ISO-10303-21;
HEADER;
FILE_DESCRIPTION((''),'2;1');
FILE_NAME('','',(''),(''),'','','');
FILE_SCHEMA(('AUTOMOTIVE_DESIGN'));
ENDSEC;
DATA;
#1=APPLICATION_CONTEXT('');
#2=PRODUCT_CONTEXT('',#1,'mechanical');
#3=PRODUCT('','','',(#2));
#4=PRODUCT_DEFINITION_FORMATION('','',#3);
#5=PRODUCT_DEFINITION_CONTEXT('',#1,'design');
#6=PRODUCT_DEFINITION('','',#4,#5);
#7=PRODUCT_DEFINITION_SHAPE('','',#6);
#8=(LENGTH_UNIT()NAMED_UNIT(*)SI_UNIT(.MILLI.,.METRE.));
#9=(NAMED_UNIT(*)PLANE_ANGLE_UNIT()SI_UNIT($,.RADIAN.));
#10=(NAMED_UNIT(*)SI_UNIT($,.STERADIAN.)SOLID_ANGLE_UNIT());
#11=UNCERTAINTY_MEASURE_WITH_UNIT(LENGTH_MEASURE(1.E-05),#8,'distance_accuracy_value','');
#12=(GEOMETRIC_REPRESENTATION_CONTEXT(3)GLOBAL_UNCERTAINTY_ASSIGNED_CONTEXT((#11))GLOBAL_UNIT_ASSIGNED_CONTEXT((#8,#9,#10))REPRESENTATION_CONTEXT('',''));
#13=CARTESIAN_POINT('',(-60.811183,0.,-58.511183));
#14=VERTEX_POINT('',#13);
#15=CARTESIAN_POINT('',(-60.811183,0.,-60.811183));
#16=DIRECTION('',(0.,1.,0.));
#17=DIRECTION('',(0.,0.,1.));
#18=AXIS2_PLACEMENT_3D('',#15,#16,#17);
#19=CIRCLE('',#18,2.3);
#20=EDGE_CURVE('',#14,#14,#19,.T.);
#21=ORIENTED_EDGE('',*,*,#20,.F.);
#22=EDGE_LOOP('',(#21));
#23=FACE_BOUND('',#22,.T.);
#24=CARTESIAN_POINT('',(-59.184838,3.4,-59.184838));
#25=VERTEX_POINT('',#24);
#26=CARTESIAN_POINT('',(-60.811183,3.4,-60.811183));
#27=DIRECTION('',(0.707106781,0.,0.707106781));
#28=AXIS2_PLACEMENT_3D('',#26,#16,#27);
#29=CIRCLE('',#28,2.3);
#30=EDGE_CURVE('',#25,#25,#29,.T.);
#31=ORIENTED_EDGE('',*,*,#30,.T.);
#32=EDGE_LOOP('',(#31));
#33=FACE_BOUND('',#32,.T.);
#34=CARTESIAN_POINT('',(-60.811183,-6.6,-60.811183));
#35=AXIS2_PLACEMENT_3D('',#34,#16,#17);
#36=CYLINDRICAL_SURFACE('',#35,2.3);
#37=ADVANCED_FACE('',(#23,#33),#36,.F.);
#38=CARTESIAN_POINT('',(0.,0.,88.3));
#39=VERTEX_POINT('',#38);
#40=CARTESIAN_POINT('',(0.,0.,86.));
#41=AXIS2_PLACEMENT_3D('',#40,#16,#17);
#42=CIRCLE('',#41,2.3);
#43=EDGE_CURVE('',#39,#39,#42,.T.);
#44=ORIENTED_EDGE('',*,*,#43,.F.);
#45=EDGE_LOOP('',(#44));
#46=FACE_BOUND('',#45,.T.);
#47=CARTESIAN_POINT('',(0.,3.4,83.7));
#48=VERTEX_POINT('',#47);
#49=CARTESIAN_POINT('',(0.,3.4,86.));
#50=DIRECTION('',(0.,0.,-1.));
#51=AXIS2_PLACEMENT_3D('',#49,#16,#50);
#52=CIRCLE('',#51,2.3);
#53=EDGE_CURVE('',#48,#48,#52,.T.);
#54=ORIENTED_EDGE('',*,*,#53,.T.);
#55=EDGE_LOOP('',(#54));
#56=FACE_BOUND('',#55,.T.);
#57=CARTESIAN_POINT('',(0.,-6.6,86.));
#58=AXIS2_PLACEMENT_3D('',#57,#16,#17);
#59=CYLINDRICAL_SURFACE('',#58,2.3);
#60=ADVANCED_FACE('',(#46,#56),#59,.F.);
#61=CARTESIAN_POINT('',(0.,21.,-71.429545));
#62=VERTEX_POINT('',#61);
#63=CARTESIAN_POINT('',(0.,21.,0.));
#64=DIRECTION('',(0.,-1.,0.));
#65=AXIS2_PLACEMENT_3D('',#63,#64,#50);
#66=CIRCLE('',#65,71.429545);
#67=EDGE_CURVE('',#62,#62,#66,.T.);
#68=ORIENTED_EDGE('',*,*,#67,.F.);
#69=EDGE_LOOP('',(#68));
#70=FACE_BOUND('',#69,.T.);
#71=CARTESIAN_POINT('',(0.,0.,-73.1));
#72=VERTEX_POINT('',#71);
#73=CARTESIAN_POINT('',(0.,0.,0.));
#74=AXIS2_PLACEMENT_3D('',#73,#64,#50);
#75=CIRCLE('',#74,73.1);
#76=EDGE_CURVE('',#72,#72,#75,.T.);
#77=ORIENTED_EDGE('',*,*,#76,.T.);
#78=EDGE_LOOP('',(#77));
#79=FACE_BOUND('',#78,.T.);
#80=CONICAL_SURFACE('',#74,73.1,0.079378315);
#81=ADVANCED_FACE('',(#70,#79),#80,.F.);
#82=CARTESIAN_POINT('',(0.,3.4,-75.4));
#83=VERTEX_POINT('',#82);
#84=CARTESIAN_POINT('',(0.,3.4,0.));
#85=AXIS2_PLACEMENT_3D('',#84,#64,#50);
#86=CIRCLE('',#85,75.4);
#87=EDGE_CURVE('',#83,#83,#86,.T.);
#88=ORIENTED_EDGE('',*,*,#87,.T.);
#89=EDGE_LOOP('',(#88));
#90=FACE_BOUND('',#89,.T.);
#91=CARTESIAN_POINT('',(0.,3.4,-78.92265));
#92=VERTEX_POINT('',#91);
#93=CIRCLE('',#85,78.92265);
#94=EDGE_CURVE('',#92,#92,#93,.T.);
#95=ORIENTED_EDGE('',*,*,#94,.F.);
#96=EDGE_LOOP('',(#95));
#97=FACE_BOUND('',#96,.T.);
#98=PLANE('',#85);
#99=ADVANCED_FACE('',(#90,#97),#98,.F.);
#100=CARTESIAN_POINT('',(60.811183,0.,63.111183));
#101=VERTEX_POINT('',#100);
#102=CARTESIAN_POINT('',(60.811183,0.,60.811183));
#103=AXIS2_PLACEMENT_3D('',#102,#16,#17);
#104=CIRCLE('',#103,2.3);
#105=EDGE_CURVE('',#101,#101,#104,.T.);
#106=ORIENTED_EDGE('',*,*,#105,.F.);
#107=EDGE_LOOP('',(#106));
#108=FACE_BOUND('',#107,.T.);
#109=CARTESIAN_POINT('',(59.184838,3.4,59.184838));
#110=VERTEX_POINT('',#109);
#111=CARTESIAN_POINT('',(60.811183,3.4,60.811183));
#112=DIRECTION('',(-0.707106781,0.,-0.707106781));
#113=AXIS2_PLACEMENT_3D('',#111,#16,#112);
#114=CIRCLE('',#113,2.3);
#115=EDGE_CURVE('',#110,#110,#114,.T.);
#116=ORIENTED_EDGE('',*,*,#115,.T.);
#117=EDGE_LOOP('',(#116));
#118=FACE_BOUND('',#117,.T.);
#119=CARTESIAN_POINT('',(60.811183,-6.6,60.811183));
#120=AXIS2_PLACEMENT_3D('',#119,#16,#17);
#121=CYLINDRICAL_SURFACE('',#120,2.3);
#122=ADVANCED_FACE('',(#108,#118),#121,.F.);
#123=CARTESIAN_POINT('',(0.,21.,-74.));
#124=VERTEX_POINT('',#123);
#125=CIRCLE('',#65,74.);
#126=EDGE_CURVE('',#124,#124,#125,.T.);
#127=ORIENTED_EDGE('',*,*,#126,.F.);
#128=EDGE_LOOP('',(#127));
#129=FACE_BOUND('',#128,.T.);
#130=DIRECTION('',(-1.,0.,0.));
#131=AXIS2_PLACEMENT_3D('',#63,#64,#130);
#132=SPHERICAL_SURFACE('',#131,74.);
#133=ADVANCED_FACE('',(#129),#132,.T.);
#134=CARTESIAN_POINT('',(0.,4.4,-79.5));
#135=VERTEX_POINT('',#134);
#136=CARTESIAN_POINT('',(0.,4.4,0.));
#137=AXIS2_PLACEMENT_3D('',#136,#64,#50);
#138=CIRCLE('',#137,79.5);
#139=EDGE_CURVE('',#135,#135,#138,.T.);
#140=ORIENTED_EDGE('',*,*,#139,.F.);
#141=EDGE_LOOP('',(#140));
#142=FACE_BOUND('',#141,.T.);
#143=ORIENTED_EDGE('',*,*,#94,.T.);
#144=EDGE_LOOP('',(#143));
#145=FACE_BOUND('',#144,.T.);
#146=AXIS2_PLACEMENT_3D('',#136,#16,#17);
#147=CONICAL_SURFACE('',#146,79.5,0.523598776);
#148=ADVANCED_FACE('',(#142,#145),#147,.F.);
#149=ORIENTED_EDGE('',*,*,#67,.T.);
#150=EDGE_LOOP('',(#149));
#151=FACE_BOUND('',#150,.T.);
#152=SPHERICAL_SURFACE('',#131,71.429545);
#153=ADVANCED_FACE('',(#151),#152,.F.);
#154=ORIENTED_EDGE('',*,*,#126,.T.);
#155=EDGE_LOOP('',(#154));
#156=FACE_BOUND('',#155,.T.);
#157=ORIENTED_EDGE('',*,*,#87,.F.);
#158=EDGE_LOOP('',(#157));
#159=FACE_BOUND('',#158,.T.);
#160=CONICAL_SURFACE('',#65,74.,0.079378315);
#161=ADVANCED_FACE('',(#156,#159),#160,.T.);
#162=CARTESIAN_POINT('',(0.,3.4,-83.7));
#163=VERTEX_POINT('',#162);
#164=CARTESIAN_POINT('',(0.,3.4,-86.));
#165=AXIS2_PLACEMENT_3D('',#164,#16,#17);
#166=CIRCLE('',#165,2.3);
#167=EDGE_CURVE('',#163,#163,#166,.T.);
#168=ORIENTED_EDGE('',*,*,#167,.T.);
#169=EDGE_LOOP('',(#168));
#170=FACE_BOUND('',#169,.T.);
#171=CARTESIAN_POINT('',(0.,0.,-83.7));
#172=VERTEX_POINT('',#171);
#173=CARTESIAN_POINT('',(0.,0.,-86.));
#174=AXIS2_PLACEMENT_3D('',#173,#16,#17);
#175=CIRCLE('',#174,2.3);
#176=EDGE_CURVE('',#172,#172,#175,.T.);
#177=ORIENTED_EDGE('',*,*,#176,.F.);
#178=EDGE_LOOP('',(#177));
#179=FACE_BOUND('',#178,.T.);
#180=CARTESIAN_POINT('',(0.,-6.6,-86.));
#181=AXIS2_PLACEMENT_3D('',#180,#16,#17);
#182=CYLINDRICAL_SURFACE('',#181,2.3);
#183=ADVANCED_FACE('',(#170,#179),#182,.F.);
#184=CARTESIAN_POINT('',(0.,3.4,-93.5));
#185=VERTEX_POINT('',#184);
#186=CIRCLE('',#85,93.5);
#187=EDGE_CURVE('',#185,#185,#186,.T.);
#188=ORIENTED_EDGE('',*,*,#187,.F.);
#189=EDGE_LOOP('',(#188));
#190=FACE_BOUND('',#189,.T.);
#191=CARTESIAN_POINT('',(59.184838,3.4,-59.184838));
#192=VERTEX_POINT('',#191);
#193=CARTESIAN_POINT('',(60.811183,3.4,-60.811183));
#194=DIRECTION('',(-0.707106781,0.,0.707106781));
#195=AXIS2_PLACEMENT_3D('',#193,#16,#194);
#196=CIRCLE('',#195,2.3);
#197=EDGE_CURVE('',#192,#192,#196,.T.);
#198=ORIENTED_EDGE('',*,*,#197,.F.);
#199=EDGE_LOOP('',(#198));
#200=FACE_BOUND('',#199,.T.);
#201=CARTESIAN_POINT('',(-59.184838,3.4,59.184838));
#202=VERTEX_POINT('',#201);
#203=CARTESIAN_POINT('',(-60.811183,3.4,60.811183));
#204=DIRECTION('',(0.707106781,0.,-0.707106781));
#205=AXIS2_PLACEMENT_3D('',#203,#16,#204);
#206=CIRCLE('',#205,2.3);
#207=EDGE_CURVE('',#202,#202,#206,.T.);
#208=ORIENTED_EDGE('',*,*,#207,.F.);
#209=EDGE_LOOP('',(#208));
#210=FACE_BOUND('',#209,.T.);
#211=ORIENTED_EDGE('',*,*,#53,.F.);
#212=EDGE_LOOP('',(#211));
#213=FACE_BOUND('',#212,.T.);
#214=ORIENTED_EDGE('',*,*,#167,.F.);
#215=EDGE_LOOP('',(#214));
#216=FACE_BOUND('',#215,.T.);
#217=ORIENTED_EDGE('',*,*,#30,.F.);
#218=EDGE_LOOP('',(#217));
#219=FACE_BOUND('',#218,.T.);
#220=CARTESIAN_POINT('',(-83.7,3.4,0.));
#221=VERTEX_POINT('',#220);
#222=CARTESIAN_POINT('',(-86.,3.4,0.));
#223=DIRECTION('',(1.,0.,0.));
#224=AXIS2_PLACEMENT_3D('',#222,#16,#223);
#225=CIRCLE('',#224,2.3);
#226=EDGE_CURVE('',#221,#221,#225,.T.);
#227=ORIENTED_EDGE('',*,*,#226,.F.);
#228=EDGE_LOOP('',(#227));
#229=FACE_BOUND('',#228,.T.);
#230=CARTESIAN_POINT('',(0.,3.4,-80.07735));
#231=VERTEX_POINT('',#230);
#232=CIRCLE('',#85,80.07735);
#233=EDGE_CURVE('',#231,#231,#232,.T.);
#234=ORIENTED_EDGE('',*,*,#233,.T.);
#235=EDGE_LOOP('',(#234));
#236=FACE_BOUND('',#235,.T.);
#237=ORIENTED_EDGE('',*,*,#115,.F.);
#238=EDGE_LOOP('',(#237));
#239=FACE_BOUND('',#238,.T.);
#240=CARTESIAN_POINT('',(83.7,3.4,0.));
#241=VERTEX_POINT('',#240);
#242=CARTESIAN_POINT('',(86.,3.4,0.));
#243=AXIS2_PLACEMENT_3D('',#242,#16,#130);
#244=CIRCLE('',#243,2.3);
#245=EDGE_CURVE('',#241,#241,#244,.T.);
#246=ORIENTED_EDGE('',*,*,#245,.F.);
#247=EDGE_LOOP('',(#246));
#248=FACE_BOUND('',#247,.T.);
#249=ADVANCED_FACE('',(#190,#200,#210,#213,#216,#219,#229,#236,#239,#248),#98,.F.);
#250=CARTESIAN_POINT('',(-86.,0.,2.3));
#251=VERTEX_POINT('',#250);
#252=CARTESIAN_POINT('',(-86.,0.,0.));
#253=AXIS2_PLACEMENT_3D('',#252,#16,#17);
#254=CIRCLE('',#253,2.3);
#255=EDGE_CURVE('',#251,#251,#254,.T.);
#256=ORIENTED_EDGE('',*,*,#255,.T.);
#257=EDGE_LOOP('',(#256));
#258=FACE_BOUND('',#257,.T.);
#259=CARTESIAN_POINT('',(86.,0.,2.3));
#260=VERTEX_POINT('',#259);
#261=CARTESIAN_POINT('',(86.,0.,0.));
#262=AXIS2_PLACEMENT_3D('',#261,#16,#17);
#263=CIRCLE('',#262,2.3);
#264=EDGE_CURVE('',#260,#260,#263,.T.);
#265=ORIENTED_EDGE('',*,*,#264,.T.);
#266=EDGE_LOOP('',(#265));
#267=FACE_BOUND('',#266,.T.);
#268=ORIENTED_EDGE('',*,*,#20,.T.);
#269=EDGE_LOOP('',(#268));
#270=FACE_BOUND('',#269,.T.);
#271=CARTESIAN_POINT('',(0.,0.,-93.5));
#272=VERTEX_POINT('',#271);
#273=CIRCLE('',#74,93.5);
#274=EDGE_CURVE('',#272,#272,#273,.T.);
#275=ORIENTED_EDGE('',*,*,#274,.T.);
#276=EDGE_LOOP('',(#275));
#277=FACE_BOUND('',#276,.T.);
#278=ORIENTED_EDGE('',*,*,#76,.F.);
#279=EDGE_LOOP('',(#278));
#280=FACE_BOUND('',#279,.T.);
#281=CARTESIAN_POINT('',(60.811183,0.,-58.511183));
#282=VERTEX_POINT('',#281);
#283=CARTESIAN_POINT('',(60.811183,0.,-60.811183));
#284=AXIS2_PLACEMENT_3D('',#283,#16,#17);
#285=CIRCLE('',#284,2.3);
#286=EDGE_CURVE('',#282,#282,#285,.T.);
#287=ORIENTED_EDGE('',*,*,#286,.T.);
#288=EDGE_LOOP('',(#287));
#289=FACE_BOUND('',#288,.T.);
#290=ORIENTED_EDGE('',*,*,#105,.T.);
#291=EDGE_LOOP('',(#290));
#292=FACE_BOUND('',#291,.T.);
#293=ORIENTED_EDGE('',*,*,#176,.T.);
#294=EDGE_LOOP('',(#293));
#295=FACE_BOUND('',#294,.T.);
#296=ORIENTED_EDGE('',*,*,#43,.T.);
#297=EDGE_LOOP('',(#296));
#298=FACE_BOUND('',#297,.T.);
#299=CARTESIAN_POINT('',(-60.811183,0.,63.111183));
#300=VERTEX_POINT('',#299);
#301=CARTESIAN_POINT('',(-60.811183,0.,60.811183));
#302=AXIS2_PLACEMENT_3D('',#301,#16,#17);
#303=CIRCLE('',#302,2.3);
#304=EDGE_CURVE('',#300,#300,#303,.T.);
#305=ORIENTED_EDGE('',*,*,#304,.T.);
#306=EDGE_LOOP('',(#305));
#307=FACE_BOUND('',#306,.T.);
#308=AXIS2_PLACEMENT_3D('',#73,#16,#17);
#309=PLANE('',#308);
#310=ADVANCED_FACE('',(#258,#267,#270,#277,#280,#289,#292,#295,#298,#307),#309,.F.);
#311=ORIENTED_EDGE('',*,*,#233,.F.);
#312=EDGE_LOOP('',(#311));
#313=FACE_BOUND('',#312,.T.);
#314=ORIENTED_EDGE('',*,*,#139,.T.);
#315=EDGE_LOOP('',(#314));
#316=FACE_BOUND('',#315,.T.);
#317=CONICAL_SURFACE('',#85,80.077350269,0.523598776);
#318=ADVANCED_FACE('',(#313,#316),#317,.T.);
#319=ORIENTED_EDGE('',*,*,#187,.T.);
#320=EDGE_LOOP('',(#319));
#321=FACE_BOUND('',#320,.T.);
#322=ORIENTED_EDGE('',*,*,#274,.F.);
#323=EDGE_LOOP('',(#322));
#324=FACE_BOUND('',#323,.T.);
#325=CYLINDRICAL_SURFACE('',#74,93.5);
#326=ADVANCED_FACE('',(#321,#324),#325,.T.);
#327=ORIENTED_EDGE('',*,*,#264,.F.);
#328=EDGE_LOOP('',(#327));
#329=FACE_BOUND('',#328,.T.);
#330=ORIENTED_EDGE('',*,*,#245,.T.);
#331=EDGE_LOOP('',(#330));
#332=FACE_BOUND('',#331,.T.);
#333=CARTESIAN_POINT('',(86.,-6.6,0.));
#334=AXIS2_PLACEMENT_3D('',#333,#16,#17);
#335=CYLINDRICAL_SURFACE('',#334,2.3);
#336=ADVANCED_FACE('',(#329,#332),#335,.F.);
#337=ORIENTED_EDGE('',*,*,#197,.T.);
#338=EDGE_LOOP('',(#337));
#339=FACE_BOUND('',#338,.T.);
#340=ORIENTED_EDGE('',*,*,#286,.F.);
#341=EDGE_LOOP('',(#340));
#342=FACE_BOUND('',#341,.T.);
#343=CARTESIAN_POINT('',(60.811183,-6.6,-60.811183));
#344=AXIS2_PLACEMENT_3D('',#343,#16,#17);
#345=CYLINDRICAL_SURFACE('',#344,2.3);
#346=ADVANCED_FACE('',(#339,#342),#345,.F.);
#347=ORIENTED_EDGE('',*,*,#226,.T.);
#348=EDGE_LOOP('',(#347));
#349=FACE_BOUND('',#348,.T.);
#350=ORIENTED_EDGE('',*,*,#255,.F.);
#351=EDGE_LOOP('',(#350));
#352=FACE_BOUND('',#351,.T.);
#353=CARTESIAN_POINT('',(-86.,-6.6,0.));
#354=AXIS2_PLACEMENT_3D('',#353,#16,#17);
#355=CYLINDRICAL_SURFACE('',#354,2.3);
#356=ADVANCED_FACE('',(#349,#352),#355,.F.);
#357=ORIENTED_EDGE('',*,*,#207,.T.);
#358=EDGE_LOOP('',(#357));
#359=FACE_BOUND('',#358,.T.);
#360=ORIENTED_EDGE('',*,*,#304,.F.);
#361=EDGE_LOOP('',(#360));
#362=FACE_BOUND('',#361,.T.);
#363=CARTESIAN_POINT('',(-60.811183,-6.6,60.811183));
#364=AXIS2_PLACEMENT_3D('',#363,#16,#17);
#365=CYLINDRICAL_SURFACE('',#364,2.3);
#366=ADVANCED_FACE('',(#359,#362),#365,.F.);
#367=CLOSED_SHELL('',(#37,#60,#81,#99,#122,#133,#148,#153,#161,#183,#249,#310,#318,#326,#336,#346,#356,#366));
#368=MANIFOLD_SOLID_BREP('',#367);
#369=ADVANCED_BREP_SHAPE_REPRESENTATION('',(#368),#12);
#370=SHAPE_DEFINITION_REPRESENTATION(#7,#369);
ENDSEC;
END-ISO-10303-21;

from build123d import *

# Parameters (mm, degrees)
SKETCH_2_R               = 2.3
CUT_EXTRUDE_1_DEPTH      = 10
PATTERN_CIRCULAR_1_COUNT = 8


with BuildPart() as part:
    # 草图1 → 旋转1 (revolve)
    with BuildSketch(Plane.XY):
        Polygon((-93.5, 3.4), (-93.5, 0), (-73.1, 0), (-71.429545455, 21), (-74, 21), (-75.4, 3.4), align=None)
        with BuildLine():
            ThreePointArc((0, 92.429545455), (-50.508315968, 71.508315968), (-71.429545455, 21))
            Line((-71.429545455, 21), (-74, 21))
            ThreePointArc((-74, 21), (-52.325901808, 73.325901808), (0, 95))
            Line((0, 95), (0, 92.429545455))
        make_face()
        Polygon((-79.5, 4.4), (-80.077350269, 3.4), (-78.922649731, 3.4), align=None)
    revolve(axis=Axis((0, 0, 0), (0, 1, 0)))

    # 草图2 → 切除-拉伸1 (cut)
    with BuildSketch(Plane(origin=(0, 3.4, 0), x_dir=(1, 0, 0), z_dir=(0, 1, 0))):
        with Locations((0, 86)):
            Circle(SKETCH_2_R)
    cut_extrude_1 = extrude(amount=-CUT_EXTRUDE_1_DEPTH, mode=Mode.SUBTRACT)

    # 阵列(圆周)1: 切除-拉伸1 ×8 about axis
    pattern_circular_1_axis = Axis((0, 0, 0), (0, 1, 0))
    for i in range(1, PATTERN_CIRCULAR_1_COUNT):
        add(cut_extrude_1.rotate(pattern_circular_1_axis, i * 360 / PATTERN_CIRCULAR_1_COUNT), mode=Mode.SUBTRACT)


solid = part.part
